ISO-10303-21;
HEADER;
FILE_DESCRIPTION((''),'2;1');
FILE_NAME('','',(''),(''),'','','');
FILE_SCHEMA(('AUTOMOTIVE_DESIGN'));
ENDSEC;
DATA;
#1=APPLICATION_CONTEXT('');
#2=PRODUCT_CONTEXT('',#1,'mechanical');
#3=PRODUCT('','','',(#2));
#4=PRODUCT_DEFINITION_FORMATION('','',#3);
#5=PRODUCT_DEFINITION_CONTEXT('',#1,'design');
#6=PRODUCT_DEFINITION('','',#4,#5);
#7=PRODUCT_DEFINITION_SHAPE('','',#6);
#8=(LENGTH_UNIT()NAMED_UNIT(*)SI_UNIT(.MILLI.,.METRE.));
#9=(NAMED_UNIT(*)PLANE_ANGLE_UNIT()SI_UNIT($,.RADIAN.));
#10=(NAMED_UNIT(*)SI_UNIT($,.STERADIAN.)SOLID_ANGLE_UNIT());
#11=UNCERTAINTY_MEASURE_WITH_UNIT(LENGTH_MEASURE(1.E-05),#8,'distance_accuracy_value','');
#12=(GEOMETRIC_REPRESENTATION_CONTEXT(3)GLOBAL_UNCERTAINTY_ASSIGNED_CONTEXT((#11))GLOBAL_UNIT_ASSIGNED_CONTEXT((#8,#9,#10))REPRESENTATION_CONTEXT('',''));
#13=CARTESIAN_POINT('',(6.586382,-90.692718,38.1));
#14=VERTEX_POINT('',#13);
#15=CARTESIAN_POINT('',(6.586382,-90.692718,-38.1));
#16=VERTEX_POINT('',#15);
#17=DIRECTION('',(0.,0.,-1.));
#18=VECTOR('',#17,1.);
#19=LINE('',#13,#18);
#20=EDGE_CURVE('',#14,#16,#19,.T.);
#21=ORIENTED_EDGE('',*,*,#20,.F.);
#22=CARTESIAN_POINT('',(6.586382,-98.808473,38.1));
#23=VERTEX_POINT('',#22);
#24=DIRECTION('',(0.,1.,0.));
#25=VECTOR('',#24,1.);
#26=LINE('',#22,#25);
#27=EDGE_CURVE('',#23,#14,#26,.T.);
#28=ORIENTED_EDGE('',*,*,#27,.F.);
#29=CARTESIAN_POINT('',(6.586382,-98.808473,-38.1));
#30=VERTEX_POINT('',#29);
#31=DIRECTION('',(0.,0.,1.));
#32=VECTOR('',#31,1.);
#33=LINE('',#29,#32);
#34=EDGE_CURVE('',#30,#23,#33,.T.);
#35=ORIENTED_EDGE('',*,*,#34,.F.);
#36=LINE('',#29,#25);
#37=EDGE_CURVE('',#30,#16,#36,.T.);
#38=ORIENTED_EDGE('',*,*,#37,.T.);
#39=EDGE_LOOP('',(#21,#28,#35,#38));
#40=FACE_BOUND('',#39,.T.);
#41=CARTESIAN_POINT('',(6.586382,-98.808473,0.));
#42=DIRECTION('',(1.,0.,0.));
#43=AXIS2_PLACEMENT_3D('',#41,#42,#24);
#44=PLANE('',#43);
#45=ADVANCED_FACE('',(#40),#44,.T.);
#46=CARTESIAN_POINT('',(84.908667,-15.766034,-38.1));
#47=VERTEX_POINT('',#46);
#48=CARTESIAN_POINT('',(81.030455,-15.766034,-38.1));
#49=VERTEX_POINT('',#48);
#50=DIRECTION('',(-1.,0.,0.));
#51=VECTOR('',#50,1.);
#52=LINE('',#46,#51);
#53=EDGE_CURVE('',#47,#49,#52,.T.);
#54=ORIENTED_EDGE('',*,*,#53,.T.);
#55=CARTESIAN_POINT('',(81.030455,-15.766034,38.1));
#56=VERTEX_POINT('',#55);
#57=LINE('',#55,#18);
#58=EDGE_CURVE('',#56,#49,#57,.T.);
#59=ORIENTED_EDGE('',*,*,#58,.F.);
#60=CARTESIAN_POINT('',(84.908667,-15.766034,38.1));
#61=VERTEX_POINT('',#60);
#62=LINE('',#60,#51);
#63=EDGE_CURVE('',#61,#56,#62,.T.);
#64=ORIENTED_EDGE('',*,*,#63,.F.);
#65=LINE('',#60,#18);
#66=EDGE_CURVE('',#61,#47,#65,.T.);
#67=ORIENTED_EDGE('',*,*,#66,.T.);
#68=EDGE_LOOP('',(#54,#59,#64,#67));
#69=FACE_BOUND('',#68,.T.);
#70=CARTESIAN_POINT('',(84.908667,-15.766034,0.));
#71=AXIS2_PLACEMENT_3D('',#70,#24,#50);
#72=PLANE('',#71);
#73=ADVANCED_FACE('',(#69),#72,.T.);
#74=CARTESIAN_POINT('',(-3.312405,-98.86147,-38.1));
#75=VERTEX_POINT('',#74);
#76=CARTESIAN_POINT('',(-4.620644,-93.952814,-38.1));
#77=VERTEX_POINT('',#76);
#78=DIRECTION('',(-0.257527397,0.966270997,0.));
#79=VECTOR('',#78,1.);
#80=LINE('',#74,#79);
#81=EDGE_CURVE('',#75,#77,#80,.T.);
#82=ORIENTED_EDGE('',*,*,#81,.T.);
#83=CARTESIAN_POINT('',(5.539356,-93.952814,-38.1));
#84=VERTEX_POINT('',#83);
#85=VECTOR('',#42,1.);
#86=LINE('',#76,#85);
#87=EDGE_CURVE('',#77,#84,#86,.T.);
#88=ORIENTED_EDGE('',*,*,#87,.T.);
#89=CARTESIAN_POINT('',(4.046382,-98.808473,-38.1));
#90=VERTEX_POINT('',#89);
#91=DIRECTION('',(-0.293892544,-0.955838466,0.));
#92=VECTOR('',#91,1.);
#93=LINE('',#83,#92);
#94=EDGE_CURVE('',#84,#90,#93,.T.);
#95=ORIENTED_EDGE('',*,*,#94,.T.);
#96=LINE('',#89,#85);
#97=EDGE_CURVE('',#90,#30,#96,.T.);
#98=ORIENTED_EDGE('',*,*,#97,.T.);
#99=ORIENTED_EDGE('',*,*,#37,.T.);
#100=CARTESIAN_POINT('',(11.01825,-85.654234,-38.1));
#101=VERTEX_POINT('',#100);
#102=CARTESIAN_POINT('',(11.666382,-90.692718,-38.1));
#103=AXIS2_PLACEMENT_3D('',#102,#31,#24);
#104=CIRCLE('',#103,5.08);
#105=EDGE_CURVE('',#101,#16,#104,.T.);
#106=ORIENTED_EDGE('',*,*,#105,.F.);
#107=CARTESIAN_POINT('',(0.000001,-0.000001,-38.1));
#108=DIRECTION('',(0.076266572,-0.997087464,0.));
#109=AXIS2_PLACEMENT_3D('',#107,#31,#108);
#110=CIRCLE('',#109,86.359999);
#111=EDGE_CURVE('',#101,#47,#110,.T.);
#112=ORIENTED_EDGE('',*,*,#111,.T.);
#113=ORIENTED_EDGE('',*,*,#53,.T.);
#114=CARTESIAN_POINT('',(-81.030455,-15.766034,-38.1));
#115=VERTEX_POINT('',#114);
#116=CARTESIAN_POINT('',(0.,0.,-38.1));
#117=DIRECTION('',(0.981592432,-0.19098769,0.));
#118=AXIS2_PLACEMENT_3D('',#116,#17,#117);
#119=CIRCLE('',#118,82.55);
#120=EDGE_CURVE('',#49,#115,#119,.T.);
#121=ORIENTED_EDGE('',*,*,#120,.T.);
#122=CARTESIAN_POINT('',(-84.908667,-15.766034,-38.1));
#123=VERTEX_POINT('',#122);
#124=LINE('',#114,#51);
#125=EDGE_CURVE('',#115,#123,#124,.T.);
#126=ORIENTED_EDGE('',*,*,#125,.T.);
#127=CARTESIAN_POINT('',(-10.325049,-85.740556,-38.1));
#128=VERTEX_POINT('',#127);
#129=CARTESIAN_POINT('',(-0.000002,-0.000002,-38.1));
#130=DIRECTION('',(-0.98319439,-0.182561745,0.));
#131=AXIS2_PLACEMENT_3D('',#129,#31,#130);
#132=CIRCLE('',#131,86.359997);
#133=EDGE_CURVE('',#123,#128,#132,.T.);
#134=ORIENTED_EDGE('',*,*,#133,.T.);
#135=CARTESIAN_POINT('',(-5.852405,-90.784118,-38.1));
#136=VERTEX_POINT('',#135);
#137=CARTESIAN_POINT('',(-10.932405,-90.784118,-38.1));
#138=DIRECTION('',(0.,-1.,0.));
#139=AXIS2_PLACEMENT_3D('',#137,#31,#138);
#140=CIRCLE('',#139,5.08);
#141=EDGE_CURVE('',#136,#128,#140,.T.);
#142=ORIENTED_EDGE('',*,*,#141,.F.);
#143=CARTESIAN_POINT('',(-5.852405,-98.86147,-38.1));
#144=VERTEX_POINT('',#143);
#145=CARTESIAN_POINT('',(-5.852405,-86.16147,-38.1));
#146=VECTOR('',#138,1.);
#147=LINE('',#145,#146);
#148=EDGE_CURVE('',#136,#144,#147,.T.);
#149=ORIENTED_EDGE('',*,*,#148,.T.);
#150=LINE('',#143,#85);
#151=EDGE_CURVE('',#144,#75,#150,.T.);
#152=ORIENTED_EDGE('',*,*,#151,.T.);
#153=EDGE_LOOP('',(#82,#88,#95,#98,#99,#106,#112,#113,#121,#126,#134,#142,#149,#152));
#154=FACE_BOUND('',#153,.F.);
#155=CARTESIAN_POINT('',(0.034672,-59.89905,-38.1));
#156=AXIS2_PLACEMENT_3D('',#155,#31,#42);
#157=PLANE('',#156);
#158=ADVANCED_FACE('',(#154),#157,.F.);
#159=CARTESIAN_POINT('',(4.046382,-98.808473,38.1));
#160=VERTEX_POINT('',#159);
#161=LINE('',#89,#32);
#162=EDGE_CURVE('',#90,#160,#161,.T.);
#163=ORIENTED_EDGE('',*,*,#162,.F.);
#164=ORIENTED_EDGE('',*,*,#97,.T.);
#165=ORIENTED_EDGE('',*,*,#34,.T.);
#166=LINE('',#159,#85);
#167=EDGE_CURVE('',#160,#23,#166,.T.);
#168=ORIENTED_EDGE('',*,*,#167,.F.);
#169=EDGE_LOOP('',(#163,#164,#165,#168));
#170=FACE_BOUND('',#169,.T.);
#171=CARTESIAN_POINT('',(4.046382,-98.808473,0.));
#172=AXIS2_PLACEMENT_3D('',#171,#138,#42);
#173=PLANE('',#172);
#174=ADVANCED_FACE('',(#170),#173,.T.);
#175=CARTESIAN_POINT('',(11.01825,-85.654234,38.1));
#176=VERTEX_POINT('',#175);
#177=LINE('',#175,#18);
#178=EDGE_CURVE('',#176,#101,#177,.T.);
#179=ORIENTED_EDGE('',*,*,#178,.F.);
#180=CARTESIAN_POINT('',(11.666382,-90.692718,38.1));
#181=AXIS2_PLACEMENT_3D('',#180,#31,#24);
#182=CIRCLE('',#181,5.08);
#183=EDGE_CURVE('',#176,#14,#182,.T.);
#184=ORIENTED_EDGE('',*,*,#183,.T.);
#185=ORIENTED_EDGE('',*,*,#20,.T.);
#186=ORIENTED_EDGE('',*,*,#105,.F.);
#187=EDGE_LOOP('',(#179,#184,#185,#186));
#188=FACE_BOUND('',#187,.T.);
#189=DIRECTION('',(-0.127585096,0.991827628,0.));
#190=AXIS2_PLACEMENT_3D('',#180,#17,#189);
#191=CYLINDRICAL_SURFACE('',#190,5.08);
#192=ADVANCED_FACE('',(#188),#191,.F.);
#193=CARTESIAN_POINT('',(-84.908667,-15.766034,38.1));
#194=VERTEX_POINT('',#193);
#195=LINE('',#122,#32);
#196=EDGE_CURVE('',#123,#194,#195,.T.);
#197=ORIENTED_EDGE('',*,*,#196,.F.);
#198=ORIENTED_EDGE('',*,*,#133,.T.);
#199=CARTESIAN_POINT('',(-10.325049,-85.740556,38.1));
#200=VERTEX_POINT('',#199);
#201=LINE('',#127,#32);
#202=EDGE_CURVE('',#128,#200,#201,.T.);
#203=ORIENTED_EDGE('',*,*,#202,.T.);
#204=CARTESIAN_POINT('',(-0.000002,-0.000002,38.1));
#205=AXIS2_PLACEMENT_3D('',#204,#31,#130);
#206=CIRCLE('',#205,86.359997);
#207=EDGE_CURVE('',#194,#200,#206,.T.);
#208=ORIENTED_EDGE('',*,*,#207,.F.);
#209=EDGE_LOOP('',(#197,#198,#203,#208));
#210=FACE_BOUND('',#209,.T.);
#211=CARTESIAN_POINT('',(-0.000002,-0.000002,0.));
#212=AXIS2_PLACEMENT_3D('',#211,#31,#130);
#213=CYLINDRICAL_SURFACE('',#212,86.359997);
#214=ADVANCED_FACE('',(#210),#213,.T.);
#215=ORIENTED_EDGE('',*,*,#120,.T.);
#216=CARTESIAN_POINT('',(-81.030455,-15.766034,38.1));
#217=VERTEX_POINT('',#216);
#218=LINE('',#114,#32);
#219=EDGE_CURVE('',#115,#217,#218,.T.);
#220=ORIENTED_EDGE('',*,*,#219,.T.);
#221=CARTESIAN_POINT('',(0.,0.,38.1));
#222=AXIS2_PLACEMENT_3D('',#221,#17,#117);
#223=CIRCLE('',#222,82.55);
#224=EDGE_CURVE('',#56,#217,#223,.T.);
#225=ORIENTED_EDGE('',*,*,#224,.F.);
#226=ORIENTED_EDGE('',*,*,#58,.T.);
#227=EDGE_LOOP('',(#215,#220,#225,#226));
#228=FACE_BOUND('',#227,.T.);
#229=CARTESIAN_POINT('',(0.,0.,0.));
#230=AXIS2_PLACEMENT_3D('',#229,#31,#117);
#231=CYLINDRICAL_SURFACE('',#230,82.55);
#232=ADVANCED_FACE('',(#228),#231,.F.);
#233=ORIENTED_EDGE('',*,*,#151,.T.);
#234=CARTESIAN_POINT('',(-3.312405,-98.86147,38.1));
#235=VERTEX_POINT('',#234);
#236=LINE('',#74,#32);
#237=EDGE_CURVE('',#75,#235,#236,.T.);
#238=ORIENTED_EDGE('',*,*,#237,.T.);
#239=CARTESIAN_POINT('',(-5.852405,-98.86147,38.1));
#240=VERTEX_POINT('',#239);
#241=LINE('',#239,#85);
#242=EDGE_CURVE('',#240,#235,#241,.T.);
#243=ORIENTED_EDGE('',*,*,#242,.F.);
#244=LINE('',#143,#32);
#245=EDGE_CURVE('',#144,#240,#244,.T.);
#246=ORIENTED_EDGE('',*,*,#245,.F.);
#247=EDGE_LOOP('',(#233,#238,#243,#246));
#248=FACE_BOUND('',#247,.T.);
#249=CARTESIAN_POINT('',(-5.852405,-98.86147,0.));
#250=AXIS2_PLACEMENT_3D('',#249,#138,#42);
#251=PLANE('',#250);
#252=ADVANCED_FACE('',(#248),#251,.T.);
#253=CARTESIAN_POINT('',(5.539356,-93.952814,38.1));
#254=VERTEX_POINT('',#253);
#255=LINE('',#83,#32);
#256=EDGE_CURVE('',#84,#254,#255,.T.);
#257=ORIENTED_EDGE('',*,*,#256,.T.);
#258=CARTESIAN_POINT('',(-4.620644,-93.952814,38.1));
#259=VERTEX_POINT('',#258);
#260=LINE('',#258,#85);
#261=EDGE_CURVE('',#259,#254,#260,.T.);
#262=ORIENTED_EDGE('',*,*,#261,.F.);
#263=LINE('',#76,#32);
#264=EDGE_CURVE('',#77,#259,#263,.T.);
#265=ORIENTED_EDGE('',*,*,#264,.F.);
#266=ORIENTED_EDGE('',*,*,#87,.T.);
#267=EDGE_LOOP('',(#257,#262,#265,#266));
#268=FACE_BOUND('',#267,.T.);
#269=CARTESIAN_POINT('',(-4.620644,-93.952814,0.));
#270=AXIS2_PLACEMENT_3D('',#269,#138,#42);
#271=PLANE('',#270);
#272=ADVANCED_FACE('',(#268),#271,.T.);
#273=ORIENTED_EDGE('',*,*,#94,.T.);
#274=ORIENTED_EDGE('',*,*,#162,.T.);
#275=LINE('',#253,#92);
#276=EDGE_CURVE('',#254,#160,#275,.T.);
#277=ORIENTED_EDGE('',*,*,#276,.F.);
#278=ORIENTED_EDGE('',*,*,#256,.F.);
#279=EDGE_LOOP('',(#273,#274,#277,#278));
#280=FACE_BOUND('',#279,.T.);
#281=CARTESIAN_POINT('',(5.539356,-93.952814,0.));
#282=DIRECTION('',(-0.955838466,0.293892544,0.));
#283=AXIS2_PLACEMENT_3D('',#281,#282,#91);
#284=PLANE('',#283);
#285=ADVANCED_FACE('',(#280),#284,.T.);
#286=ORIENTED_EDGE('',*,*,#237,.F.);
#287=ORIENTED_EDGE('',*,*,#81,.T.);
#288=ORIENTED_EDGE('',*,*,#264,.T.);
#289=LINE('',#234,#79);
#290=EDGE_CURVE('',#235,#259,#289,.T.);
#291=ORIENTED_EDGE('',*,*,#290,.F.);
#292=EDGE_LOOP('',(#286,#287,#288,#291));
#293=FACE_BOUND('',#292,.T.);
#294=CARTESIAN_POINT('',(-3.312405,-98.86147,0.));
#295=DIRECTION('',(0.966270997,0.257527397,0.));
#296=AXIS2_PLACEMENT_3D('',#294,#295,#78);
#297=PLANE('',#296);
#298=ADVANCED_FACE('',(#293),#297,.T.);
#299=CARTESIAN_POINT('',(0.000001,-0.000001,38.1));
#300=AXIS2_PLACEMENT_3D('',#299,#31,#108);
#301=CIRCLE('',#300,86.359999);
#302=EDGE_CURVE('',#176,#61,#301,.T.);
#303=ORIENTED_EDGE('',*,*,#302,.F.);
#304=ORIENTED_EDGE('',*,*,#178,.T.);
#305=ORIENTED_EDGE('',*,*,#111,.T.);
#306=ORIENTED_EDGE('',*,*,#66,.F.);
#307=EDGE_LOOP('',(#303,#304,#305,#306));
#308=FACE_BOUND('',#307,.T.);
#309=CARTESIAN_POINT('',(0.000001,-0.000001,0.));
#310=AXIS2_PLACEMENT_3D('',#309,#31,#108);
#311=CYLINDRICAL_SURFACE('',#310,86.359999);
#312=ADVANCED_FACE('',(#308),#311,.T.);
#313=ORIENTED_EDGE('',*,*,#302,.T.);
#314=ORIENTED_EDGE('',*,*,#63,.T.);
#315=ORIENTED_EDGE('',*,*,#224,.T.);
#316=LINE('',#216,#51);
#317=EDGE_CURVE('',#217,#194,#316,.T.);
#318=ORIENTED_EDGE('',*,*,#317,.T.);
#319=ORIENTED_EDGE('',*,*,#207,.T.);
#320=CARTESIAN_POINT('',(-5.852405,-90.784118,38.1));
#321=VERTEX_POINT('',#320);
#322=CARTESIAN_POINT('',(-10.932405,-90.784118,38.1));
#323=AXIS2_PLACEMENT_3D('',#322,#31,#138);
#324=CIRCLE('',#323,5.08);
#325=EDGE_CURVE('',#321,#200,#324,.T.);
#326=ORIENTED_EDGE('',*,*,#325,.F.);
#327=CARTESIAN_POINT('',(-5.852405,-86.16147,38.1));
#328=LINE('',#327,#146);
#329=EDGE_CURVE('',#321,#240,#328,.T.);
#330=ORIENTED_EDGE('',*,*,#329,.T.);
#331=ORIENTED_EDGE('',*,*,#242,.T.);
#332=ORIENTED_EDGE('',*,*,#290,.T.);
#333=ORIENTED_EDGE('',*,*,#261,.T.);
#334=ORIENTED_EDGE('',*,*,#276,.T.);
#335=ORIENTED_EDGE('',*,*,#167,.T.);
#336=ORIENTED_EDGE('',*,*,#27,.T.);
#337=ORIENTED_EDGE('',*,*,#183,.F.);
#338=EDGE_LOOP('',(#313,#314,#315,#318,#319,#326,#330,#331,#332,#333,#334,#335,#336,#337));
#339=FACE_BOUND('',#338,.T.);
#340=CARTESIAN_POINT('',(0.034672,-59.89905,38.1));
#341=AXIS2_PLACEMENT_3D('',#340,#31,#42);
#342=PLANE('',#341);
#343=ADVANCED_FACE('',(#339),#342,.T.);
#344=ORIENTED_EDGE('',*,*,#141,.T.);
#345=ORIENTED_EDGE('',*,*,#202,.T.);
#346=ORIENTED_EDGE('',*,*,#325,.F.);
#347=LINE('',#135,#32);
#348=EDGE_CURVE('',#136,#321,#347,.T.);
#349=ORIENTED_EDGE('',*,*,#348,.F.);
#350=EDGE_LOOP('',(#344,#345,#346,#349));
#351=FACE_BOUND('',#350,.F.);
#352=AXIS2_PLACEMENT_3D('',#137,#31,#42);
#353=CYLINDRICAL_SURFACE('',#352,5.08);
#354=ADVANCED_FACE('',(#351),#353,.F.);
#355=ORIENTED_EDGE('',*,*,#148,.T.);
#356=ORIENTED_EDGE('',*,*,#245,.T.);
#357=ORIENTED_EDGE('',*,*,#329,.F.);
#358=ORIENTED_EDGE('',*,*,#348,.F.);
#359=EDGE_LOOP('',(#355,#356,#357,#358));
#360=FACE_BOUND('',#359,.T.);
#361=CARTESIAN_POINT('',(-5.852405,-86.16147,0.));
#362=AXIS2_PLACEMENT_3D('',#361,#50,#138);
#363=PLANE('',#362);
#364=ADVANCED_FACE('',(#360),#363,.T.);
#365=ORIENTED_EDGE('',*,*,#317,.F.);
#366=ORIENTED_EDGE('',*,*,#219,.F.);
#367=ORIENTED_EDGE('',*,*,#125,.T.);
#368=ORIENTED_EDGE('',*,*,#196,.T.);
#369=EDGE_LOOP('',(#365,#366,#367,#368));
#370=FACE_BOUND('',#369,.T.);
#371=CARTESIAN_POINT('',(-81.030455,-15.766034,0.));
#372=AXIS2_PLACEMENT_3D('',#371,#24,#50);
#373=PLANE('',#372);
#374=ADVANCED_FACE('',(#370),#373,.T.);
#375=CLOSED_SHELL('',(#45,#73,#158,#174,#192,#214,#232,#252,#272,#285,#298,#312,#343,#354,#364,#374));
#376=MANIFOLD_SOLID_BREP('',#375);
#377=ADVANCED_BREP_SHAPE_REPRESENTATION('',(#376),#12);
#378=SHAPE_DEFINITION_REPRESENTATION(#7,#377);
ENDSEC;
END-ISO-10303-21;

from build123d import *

# Parameters (mm, degrees)
F1_DEPTH = 38.1
F2_R     = 5.08


with BuildPart() as f1:
    # F0 (on Top) → F1 (new body, symmetric)
    with BuildSketch(Plane.XY):
        with BuildLine():
            ThreePointArc((81.030455, -15.766034), (0, -82.55), (-81.030455, -15.766034))
            Line((-81.030455, -15.766034), (-84.908667, -15.766034))
            ThreePointArc((-84.908667, -15.766034), (-57.430588, -64.496335), (-5.852405, -86.16147))
            Line((-5.852405, -86.16147), (-5.852405, -98.86147))
            Line((-5.852405, -98.86147), (-3.312405, -98.86147))
            Line((-3.312405, -98.86147), (-4.620644, -93.952814))
            Line((-4.620644, -93.952814), (5.539356, -93.952814))
            Line((5.539356, -93.952814), (4.046382, -98.808473))
            Line((4.046382, -98.808473), (6.586382, -98.808473))
            Line((6.586382, -98.808473), (6.586382, -86.108473))
            ThreePointArc((6.586382, -86.108473), (57.704858, -64.251062), (84.908667, -15.766034))
            Line((84.908667, -15.766034), (81.030455, -15.766034))
        make_face()
    extrude(amount=F1_DEPTH, both=True)

    # F2
    f2_edges = [f1.edges().sort_by_distance(p)[0] for p in [
        (6.586382, -86.108473, 0),
        (-5.852405, -86.16147, 0),
    ]]
    fillet(f2_edges, radius=F2_R)


solid = f1.part
